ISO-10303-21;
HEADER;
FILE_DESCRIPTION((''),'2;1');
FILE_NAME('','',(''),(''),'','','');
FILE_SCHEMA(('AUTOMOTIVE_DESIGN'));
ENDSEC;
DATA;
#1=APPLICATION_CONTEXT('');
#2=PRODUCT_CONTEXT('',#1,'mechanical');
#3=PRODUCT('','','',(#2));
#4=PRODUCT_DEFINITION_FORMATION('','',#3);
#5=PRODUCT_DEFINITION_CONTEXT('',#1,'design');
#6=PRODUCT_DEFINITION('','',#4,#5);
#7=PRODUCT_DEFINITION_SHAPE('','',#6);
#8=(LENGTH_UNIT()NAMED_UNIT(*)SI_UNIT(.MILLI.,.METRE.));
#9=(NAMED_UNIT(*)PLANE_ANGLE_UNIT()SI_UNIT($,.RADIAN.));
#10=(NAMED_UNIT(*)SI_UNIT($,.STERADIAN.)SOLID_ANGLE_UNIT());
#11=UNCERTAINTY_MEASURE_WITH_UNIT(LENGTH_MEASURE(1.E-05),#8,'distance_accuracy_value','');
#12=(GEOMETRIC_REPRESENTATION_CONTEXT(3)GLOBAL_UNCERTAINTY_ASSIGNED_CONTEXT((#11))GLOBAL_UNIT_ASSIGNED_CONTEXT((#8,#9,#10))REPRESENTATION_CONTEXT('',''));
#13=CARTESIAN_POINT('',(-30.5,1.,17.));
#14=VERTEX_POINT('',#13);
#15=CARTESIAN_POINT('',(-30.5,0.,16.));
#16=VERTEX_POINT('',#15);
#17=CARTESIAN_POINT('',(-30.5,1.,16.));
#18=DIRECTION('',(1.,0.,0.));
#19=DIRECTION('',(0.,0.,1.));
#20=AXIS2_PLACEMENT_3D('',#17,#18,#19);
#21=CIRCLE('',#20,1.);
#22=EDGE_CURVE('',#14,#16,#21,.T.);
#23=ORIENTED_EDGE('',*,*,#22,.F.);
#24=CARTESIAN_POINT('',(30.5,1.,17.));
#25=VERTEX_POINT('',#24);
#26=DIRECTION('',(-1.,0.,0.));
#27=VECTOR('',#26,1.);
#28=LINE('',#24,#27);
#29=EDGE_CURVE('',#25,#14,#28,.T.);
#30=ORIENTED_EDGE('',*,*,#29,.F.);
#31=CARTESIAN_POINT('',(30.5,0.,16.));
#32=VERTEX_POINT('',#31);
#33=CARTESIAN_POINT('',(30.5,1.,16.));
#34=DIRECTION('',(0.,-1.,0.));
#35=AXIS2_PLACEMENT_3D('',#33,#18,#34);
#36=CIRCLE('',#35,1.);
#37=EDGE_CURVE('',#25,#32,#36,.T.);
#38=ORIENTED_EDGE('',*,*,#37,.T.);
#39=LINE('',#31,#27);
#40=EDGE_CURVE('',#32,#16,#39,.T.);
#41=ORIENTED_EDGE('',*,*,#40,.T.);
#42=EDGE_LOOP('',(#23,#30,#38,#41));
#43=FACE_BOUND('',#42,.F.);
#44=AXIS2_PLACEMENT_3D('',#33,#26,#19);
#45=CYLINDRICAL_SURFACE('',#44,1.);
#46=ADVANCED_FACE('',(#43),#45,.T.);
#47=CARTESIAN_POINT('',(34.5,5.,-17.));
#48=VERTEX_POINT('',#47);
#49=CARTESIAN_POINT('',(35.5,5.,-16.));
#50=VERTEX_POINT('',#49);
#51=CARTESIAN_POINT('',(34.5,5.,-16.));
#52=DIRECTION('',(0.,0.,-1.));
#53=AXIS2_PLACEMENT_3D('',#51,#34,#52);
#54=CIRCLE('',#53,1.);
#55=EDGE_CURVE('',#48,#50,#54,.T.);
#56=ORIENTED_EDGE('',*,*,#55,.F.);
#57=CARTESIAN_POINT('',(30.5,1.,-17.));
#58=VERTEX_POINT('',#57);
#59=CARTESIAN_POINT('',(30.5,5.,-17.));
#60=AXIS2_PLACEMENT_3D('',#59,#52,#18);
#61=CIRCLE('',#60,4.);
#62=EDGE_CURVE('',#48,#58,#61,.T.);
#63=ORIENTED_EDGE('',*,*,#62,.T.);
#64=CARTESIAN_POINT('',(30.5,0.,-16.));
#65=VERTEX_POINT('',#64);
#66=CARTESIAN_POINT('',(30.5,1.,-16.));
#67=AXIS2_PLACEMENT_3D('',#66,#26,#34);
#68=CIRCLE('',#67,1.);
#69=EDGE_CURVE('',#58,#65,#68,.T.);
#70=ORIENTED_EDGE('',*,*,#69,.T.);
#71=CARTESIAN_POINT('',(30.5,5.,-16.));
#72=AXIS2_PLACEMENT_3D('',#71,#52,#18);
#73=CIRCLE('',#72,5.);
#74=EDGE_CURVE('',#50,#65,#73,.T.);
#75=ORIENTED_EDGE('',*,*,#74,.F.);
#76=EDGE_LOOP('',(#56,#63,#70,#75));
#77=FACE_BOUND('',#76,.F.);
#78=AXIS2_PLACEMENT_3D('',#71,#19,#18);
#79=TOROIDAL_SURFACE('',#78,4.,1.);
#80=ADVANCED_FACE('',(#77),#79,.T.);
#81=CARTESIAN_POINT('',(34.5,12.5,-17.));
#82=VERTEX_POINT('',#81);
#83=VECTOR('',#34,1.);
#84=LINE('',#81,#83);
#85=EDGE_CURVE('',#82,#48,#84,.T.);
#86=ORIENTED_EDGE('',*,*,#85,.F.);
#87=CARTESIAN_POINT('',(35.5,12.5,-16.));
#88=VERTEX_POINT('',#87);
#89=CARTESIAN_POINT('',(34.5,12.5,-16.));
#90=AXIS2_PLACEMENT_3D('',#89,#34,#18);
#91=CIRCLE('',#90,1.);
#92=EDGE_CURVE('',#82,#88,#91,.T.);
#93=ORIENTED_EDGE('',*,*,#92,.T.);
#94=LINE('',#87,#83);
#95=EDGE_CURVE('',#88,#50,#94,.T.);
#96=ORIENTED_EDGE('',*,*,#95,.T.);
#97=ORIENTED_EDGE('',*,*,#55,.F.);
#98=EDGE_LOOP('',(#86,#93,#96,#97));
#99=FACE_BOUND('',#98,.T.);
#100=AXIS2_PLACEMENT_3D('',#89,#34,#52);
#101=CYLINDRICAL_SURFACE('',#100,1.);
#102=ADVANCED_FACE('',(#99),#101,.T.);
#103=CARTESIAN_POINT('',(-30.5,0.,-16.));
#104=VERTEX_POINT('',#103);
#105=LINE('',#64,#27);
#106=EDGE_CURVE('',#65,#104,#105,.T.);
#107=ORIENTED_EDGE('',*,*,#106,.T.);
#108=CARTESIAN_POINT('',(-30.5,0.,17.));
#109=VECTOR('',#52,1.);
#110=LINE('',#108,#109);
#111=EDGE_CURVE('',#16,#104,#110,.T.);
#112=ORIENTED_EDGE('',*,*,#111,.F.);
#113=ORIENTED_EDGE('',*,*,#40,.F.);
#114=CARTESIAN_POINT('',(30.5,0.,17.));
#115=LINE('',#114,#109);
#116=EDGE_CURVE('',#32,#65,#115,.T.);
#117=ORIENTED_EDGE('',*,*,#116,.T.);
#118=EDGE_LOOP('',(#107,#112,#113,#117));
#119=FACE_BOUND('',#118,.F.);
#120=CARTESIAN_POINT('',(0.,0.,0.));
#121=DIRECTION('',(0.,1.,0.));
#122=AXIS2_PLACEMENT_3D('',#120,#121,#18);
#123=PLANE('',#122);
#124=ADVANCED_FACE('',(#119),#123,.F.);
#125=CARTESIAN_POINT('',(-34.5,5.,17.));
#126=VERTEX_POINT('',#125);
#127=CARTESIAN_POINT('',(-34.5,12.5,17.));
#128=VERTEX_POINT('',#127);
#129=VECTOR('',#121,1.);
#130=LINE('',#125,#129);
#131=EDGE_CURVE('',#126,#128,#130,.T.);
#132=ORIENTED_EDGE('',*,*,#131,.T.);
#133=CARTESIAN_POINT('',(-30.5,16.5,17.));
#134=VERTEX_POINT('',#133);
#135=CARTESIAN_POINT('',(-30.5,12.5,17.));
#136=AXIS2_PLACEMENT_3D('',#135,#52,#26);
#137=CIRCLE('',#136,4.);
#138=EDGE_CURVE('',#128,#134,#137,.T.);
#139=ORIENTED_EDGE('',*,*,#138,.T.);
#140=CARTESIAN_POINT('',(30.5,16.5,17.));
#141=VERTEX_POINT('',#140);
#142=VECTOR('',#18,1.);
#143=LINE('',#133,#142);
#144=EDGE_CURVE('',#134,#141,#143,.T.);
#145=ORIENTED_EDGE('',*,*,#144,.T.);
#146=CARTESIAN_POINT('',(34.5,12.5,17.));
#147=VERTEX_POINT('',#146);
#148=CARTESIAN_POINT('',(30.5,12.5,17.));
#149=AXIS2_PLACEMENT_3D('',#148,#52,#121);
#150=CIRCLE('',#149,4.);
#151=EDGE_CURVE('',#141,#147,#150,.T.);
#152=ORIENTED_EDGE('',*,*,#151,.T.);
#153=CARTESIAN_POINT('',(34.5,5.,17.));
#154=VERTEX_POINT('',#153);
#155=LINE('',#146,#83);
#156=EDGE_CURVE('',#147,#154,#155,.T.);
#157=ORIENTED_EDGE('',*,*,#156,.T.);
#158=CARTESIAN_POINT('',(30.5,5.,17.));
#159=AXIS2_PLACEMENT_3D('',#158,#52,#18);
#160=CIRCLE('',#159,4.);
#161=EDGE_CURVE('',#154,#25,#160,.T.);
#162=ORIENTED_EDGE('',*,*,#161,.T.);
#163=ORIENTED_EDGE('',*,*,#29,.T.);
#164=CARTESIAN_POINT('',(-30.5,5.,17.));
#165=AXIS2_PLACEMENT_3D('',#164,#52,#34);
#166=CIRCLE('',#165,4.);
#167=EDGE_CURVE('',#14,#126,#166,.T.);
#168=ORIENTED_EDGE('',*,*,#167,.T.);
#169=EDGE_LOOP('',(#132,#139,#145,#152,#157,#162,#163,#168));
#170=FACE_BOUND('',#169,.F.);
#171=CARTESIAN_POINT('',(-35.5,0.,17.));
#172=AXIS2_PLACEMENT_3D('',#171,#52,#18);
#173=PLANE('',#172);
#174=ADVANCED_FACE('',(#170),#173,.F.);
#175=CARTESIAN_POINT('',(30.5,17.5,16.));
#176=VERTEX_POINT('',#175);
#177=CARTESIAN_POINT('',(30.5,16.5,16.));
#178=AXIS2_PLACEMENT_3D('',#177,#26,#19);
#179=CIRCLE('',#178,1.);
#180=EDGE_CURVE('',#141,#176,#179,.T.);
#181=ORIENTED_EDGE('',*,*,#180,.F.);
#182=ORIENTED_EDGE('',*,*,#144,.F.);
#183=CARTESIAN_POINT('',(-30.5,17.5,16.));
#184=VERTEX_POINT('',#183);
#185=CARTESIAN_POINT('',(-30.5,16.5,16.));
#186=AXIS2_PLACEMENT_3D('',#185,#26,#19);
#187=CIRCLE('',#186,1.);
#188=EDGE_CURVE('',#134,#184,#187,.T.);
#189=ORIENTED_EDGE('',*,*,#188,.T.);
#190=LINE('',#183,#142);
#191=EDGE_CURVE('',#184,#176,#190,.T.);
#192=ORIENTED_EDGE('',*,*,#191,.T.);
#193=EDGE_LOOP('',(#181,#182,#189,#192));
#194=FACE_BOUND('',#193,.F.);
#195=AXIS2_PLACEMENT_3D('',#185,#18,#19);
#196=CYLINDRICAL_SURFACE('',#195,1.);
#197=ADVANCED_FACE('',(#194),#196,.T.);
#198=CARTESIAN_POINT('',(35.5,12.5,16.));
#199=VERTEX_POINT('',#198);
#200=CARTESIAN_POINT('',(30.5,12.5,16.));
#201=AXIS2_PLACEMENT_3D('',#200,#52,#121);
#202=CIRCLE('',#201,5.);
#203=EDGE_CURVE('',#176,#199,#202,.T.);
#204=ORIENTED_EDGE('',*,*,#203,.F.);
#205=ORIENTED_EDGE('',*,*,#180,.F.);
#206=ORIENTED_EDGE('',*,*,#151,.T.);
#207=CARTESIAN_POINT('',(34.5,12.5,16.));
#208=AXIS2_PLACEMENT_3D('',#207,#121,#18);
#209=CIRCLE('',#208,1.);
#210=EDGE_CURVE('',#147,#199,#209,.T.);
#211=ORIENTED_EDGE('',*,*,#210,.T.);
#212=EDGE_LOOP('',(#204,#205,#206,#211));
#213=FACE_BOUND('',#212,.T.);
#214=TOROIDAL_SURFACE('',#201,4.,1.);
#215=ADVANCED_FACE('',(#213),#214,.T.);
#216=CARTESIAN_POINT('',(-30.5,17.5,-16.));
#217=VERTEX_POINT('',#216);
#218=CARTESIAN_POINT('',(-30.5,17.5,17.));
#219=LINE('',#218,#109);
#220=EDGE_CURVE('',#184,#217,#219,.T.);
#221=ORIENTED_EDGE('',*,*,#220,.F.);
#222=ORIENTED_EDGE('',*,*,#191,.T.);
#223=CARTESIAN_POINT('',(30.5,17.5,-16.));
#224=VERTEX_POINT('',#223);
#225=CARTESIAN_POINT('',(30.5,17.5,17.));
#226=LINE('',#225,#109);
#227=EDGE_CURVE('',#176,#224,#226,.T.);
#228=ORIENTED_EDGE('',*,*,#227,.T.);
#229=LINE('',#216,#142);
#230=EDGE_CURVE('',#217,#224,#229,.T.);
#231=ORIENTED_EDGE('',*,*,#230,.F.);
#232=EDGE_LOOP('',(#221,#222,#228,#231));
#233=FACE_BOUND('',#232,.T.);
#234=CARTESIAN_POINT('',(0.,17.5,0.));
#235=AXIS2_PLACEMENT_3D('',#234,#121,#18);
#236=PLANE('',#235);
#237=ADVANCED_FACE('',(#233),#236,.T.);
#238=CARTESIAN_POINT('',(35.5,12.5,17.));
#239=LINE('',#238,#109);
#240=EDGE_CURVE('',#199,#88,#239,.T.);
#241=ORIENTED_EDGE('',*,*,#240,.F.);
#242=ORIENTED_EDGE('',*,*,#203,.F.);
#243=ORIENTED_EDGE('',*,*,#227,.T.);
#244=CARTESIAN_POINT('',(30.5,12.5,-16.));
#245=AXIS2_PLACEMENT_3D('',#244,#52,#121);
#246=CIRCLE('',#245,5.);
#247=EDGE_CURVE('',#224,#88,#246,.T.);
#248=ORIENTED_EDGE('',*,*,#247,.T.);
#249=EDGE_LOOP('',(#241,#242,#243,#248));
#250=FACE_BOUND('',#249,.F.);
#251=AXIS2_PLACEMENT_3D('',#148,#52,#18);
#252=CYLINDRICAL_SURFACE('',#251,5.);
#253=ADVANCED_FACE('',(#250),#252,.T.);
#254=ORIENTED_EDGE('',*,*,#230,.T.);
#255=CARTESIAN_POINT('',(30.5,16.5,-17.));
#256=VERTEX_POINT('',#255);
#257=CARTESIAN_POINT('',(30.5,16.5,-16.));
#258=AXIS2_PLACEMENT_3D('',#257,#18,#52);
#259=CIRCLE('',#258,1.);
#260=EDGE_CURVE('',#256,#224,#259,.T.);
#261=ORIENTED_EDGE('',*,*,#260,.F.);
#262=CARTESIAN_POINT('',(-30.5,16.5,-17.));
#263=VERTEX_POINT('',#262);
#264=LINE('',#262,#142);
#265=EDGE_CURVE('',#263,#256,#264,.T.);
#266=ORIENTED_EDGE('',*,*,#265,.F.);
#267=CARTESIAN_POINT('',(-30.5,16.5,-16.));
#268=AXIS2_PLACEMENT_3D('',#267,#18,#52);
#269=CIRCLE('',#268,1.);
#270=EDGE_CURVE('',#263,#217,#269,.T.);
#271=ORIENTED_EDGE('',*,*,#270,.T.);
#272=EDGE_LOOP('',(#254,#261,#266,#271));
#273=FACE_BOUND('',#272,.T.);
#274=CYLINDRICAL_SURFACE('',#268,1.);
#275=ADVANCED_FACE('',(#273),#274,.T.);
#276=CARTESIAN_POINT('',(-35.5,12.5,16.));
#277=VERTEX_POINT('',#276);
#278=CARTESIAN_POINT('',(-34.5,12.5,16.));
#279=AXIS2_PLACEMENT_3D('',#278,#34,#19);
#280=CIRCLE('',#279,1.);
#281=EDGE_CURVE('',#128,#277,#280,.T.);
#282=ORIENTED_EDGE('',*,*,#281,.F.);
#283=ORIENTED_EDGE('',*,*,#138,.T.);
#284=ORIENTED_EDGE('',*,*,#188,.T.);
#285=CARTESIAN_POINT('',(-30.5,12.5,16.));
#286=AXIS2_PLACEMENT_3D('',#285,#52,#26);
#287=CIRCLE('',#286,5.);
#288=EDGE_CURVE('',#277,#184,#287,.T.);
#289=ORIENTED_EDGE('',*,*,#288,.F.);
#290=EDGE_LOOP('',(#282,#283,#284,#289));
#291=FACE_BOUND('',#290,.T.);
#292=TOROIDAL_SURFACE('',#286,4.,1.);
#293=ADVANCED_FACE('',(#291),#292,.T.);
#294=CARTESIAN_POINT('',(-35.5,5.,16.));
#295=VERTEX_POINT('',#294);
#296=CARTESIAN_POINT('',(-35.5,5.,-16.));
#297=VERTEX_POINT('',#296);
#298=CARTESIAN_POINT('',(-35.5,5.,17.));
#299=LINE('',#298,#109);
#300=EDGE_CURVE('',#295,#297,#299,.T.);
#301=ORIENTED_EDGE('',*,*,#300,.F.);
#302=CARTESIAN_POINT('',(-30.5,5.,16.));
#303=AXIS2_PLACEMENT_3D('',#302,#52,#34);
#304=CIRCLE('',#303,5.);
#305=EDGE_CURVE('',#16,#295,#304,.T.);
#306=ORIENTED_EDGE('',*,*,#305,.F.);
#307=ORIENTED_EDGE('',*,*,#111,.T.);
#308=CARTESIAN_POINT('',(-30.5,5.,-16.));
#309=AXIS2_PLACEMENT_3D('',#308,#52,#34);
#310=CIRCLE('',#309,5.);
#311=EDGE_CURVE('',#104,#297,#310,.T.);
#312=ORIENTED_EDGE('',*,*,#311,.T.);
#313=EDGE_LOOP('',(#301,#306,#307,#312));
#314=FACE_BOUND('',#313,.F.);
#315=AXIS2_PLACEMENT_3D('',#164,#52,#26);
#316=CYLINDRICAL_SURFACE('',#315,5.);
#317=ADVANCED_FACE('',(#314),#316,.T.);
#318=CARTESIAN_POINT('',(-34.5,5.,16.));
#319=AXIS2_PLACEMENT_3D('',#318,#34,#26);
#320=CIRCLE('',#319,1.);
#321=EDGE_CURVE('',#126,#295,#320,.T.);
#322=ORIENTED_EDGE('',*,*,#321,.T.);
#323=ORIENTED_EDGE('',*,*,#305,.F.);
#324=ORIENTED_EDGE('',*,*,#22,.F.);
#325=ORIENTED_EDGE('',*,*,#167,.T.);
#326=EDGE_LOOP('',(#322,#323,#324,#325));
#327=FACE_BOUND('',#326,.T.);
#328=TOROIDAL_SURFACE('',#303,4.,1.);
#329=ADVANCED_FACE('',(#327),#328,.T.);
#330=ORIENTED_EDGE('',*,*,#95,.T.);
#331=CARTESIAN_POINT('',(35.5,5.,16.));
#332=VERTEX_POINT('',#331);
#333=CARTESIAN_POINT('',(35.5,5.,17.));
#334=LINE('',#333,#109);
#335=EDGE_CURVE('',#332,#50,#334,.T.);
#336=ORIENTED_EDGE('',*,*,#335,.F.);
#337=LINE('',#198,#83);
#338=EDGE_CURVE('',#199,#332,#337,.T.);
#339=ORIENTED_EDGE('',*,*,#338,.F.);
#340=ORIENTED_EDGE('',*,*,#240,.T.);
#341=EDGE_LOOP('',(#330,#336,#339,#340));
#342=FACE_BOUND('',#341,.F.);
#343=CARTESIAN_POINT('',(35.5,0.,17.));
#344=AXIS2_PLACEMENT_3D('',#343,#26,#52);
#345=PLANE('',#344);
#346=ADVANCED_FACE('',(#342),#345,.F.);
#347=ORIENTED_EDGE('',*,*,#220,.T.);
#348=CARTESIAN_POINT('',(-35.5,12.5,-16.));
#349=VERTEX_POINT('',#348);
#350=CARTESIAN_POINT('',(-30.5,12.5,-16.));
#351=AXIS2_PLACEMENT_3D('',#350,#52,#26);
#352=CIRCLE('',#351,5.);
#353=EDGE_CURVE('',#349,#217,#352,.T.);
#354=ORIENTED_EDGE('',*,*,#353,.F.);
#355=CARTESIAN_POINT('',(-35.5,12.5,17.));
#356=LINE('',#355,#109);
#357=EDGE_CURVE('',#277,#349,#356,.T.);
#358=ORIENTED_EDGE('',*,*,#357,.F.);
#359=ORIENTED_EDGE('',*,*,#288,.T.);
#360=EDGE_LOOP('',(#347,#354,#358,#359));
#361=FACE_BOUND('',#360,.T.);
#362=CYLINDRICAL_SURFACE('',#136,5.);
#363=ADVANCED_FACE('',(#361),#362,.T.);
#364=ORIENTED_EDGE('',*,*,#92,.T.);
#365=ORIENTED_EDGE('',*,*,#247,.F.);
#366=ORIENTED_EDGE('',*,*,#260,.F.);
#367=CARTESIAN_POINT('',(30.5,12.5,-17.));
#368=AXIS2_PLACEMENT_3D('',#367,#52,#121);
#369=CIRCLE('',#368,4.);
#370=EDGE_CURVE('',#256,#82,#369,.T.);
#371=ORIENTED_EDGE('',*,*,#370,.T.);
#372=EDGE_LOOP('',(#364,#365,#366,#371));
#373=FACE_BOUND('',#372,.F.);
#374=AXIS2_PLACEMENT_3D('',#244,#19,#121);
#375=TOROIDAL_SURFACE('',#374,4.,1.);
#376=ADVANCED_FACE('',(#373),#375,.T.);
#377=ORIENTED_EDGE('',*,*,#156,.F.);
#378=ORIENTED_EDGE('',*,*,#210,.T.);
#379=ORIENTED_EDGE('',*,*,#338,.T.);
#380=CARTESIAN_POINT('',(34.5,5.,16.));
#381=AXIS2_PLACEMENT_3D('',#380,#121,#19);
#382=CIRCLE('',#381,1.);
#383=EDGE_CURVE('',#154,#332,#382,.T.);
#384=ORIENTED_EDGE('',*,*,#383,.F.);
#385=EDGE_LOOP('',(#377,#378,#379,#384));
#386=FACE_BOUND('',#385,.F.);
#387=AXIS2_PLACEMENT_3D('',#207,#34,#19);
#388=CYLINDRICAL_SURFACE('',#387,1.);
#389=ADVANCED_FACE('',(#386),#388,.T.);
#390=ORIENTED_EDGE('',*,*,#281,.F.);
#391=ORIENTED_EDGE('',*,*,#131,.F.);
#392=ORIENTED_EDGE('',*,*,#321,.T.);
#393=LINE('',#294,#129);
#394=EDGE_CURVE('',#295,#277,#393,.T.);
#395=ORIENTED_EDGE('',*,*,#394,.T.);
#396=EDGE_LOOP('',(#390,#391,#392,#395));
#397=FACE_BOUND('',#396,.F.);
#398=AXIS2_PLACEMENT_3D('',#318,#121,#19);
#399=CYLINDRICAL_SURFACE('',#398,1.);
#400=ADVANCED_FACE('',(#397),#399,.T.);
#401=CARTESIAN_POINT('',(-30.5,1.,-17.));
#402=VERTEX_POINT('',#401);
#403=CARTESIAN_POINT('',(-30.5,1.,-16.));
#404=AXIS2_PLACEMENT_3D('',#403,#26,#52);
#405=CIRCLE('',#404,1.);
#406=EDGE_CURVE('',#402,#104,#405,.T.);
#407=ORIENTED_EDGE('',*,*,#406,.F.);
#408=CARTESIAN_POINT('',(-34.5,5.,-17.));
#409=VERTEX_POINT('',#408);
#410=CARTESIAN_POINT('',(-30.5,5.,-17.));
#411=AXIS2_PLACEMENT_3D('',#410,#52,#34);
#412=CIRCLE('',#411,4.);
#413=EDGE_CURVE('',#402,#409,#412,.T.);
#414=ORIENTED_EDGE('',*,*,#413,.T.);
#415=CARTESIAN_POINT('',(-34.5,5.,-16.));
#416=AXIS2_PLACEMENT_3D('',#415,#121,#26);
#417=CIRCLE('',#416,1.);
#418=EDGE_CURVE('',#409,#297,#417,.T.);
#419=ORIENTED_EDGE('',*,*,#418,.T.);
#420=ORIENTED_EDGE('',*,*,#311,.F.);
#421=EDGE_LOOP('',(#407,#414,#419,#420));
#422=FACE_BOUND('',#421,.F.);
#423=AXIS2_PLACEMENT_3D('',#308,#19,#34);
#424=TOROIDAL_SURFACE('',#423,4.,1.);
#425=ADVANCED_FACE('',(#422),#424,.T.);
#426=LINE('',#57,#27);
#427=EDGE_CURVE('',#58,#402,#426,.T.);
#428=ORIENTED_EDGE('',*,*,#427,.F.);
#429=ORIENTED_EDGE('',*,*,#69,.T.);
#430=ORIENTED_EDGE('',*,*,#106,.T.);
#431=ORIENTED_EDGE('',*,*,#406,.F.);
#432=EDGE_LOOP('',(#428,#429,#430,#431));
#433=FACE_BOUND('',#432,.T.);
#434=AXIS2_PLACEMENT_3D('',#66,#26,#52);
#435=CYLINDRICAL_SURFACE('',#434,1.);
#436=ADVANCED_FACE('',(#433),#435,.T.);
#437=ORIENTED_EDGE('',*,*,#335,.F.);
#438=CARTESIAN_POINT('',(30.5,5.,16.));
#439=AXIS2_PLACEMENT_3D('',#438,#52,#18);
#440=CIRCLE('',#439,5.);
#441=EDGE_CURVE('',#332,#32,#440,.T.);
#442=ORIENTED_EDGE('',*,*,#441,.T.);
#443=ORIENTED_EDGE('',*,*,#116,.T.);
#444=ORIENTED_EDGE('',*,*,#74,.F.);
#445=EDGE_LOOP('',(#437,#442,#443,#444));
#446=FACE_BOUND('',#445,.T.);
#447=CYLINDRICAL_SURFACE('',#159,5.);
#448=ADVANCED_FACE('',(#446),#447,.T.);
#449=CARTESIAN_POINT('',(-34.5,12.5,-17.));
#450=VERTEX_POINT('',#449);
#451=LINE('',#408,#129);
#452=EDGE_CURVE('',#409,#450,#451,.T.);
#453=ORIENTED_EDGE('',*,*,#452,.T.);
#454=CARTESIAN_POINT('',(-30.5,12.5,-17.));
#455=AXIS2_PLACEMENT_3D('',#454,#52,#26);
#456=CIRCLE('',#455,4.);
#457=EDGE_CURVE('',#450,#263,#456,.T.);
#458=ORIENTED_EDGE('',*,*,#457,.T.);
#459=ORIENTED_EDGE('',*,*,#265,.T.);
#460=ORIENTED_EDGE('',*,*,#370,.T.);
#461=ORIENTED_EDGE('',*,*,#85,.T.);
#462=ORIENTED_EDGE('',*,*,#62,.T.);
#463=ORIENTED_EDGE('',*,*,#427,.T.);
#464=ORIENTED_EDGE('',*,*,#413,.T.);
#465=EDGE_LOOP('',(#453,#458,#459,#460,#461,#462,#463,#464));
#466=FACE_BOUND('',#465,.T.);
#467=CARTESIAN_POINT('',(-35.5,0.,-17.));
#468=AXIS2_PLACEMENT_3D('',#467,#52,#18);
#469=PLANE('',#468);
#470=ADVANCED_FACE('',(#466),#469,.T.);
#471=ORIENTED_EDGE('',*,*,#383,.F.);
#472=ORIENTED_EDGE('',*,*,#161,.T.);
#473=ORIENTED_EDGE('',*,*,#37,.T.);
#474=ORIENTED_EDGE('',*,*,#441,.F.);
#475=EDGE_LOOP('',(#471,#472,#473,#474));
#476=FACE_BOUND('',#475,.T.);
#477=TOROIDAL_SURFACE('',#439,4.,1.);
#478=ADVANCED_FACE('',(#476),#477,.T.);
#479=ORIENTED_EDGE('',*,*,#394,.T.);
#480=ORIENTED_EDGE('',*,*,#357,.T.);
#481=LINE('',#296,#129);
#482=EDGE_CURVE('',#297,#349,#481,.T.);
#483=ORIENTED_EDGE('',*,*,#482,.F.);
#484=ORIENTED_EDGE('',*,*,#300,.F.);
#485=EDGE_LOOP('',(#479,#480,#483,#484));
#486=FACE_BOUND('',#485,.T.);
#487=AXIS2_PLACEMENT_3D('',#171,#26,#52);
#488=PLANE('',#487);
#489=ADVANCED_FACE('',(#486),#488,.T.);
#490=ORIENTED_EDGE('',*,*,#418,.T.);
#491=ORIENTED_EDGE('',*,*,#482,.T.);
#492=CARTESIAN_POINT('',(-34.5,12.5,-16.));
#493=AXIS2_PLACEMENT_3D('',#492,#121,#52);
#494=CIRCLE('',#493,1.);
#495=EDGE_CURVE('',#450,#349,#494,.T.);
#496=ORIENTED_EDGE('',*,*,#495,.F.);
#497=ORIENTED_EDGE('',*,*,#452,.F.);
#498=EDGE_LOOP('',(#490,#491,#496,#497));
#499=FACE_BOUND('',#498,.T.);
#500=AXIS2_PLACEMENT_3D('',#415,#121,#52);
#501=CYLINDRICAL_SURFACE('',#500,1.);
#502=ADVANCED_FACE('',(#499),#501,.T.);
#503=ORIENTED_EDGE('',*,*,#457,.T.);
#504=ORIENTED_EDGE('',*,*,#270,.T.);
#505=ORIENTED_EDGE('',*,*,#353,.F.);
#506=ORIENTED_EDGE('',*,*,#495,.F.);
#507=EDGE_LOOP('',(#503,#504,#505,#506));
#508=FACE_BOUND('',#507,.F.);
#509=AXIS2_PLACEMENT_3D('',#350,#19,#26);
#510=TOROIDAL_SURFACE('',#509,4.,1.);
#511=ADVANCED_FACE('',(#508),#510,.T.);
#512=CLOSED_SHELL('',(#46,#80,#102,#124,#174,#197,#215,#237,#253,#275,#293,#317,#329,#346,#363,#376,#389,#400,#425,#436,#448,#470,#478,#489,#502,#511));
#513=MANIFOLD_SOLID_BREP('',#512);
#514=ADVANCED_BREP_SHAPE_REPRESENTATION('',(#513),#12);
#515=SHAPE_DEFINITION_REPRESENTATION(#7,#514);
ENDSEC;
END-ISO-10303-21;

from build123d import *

# Parameters (mm, degrees)
SKETCH4_W           = 71
SKETCH4_H           = 34
BOSS_EXTRUDE1_DEPTH = 17.5
FILLET1_R           = 5
FILLET2_R           = 1


with BuildPart() as part:
    # Sketch4 → Boss-Extrude1 (new body)
    with BuildSketch(Plane(origin=(0, 0, 0), x_dir=(1, 0, 0), z_dir=(0, 1, 0))):
        Rectangle(SKETCH4_W, SKETCH4_H)
    extrude(amount=BOSS_EXTRUDE1_DEPTH)

    # Fillet1
    fillet1_edges = [part.edges().sort_by_distance(p)[0] for p in [
        (35.5, 17.5, 0),
        (-35.5, 17.5, 0),
        (35.5, 0, 0),
        (-35.5, 0, 0),
    ]]
    fillet(fillet1_edges, radius=FILLET1_R)

    # Fillet2
    fillet2_edges = [part.edges().sort_by_distance(p)[0] for p in [
        (0, 17.5, 17),
        (0, 17.5, -17),
        (0, 0, 17),
        (35.5, 8.75, 17),
        (-35.5, 8.75, 17),
        (34.035533906, 16.035533906, 17),
        (34.035533906, 1.464466094, 17),
        (-34.035533906, 1.464466094, 17),
        (-34.035533906, 16.035533906, 17),
        (-35.5, 8.75, -17),
        (0, 0, -17),
        (35.5, 8.75, -17),
        (34.035533906, 16.035533906, -17),
        (34.035533906, 1.464466094, -17),
        (-34.035533906, 1.464466094, -17),
        (-34.035533906, 16.035533906, -17),
    ]]
    fillet(fillet2_edges, radius=FILLET2_R)


solid = part.part
